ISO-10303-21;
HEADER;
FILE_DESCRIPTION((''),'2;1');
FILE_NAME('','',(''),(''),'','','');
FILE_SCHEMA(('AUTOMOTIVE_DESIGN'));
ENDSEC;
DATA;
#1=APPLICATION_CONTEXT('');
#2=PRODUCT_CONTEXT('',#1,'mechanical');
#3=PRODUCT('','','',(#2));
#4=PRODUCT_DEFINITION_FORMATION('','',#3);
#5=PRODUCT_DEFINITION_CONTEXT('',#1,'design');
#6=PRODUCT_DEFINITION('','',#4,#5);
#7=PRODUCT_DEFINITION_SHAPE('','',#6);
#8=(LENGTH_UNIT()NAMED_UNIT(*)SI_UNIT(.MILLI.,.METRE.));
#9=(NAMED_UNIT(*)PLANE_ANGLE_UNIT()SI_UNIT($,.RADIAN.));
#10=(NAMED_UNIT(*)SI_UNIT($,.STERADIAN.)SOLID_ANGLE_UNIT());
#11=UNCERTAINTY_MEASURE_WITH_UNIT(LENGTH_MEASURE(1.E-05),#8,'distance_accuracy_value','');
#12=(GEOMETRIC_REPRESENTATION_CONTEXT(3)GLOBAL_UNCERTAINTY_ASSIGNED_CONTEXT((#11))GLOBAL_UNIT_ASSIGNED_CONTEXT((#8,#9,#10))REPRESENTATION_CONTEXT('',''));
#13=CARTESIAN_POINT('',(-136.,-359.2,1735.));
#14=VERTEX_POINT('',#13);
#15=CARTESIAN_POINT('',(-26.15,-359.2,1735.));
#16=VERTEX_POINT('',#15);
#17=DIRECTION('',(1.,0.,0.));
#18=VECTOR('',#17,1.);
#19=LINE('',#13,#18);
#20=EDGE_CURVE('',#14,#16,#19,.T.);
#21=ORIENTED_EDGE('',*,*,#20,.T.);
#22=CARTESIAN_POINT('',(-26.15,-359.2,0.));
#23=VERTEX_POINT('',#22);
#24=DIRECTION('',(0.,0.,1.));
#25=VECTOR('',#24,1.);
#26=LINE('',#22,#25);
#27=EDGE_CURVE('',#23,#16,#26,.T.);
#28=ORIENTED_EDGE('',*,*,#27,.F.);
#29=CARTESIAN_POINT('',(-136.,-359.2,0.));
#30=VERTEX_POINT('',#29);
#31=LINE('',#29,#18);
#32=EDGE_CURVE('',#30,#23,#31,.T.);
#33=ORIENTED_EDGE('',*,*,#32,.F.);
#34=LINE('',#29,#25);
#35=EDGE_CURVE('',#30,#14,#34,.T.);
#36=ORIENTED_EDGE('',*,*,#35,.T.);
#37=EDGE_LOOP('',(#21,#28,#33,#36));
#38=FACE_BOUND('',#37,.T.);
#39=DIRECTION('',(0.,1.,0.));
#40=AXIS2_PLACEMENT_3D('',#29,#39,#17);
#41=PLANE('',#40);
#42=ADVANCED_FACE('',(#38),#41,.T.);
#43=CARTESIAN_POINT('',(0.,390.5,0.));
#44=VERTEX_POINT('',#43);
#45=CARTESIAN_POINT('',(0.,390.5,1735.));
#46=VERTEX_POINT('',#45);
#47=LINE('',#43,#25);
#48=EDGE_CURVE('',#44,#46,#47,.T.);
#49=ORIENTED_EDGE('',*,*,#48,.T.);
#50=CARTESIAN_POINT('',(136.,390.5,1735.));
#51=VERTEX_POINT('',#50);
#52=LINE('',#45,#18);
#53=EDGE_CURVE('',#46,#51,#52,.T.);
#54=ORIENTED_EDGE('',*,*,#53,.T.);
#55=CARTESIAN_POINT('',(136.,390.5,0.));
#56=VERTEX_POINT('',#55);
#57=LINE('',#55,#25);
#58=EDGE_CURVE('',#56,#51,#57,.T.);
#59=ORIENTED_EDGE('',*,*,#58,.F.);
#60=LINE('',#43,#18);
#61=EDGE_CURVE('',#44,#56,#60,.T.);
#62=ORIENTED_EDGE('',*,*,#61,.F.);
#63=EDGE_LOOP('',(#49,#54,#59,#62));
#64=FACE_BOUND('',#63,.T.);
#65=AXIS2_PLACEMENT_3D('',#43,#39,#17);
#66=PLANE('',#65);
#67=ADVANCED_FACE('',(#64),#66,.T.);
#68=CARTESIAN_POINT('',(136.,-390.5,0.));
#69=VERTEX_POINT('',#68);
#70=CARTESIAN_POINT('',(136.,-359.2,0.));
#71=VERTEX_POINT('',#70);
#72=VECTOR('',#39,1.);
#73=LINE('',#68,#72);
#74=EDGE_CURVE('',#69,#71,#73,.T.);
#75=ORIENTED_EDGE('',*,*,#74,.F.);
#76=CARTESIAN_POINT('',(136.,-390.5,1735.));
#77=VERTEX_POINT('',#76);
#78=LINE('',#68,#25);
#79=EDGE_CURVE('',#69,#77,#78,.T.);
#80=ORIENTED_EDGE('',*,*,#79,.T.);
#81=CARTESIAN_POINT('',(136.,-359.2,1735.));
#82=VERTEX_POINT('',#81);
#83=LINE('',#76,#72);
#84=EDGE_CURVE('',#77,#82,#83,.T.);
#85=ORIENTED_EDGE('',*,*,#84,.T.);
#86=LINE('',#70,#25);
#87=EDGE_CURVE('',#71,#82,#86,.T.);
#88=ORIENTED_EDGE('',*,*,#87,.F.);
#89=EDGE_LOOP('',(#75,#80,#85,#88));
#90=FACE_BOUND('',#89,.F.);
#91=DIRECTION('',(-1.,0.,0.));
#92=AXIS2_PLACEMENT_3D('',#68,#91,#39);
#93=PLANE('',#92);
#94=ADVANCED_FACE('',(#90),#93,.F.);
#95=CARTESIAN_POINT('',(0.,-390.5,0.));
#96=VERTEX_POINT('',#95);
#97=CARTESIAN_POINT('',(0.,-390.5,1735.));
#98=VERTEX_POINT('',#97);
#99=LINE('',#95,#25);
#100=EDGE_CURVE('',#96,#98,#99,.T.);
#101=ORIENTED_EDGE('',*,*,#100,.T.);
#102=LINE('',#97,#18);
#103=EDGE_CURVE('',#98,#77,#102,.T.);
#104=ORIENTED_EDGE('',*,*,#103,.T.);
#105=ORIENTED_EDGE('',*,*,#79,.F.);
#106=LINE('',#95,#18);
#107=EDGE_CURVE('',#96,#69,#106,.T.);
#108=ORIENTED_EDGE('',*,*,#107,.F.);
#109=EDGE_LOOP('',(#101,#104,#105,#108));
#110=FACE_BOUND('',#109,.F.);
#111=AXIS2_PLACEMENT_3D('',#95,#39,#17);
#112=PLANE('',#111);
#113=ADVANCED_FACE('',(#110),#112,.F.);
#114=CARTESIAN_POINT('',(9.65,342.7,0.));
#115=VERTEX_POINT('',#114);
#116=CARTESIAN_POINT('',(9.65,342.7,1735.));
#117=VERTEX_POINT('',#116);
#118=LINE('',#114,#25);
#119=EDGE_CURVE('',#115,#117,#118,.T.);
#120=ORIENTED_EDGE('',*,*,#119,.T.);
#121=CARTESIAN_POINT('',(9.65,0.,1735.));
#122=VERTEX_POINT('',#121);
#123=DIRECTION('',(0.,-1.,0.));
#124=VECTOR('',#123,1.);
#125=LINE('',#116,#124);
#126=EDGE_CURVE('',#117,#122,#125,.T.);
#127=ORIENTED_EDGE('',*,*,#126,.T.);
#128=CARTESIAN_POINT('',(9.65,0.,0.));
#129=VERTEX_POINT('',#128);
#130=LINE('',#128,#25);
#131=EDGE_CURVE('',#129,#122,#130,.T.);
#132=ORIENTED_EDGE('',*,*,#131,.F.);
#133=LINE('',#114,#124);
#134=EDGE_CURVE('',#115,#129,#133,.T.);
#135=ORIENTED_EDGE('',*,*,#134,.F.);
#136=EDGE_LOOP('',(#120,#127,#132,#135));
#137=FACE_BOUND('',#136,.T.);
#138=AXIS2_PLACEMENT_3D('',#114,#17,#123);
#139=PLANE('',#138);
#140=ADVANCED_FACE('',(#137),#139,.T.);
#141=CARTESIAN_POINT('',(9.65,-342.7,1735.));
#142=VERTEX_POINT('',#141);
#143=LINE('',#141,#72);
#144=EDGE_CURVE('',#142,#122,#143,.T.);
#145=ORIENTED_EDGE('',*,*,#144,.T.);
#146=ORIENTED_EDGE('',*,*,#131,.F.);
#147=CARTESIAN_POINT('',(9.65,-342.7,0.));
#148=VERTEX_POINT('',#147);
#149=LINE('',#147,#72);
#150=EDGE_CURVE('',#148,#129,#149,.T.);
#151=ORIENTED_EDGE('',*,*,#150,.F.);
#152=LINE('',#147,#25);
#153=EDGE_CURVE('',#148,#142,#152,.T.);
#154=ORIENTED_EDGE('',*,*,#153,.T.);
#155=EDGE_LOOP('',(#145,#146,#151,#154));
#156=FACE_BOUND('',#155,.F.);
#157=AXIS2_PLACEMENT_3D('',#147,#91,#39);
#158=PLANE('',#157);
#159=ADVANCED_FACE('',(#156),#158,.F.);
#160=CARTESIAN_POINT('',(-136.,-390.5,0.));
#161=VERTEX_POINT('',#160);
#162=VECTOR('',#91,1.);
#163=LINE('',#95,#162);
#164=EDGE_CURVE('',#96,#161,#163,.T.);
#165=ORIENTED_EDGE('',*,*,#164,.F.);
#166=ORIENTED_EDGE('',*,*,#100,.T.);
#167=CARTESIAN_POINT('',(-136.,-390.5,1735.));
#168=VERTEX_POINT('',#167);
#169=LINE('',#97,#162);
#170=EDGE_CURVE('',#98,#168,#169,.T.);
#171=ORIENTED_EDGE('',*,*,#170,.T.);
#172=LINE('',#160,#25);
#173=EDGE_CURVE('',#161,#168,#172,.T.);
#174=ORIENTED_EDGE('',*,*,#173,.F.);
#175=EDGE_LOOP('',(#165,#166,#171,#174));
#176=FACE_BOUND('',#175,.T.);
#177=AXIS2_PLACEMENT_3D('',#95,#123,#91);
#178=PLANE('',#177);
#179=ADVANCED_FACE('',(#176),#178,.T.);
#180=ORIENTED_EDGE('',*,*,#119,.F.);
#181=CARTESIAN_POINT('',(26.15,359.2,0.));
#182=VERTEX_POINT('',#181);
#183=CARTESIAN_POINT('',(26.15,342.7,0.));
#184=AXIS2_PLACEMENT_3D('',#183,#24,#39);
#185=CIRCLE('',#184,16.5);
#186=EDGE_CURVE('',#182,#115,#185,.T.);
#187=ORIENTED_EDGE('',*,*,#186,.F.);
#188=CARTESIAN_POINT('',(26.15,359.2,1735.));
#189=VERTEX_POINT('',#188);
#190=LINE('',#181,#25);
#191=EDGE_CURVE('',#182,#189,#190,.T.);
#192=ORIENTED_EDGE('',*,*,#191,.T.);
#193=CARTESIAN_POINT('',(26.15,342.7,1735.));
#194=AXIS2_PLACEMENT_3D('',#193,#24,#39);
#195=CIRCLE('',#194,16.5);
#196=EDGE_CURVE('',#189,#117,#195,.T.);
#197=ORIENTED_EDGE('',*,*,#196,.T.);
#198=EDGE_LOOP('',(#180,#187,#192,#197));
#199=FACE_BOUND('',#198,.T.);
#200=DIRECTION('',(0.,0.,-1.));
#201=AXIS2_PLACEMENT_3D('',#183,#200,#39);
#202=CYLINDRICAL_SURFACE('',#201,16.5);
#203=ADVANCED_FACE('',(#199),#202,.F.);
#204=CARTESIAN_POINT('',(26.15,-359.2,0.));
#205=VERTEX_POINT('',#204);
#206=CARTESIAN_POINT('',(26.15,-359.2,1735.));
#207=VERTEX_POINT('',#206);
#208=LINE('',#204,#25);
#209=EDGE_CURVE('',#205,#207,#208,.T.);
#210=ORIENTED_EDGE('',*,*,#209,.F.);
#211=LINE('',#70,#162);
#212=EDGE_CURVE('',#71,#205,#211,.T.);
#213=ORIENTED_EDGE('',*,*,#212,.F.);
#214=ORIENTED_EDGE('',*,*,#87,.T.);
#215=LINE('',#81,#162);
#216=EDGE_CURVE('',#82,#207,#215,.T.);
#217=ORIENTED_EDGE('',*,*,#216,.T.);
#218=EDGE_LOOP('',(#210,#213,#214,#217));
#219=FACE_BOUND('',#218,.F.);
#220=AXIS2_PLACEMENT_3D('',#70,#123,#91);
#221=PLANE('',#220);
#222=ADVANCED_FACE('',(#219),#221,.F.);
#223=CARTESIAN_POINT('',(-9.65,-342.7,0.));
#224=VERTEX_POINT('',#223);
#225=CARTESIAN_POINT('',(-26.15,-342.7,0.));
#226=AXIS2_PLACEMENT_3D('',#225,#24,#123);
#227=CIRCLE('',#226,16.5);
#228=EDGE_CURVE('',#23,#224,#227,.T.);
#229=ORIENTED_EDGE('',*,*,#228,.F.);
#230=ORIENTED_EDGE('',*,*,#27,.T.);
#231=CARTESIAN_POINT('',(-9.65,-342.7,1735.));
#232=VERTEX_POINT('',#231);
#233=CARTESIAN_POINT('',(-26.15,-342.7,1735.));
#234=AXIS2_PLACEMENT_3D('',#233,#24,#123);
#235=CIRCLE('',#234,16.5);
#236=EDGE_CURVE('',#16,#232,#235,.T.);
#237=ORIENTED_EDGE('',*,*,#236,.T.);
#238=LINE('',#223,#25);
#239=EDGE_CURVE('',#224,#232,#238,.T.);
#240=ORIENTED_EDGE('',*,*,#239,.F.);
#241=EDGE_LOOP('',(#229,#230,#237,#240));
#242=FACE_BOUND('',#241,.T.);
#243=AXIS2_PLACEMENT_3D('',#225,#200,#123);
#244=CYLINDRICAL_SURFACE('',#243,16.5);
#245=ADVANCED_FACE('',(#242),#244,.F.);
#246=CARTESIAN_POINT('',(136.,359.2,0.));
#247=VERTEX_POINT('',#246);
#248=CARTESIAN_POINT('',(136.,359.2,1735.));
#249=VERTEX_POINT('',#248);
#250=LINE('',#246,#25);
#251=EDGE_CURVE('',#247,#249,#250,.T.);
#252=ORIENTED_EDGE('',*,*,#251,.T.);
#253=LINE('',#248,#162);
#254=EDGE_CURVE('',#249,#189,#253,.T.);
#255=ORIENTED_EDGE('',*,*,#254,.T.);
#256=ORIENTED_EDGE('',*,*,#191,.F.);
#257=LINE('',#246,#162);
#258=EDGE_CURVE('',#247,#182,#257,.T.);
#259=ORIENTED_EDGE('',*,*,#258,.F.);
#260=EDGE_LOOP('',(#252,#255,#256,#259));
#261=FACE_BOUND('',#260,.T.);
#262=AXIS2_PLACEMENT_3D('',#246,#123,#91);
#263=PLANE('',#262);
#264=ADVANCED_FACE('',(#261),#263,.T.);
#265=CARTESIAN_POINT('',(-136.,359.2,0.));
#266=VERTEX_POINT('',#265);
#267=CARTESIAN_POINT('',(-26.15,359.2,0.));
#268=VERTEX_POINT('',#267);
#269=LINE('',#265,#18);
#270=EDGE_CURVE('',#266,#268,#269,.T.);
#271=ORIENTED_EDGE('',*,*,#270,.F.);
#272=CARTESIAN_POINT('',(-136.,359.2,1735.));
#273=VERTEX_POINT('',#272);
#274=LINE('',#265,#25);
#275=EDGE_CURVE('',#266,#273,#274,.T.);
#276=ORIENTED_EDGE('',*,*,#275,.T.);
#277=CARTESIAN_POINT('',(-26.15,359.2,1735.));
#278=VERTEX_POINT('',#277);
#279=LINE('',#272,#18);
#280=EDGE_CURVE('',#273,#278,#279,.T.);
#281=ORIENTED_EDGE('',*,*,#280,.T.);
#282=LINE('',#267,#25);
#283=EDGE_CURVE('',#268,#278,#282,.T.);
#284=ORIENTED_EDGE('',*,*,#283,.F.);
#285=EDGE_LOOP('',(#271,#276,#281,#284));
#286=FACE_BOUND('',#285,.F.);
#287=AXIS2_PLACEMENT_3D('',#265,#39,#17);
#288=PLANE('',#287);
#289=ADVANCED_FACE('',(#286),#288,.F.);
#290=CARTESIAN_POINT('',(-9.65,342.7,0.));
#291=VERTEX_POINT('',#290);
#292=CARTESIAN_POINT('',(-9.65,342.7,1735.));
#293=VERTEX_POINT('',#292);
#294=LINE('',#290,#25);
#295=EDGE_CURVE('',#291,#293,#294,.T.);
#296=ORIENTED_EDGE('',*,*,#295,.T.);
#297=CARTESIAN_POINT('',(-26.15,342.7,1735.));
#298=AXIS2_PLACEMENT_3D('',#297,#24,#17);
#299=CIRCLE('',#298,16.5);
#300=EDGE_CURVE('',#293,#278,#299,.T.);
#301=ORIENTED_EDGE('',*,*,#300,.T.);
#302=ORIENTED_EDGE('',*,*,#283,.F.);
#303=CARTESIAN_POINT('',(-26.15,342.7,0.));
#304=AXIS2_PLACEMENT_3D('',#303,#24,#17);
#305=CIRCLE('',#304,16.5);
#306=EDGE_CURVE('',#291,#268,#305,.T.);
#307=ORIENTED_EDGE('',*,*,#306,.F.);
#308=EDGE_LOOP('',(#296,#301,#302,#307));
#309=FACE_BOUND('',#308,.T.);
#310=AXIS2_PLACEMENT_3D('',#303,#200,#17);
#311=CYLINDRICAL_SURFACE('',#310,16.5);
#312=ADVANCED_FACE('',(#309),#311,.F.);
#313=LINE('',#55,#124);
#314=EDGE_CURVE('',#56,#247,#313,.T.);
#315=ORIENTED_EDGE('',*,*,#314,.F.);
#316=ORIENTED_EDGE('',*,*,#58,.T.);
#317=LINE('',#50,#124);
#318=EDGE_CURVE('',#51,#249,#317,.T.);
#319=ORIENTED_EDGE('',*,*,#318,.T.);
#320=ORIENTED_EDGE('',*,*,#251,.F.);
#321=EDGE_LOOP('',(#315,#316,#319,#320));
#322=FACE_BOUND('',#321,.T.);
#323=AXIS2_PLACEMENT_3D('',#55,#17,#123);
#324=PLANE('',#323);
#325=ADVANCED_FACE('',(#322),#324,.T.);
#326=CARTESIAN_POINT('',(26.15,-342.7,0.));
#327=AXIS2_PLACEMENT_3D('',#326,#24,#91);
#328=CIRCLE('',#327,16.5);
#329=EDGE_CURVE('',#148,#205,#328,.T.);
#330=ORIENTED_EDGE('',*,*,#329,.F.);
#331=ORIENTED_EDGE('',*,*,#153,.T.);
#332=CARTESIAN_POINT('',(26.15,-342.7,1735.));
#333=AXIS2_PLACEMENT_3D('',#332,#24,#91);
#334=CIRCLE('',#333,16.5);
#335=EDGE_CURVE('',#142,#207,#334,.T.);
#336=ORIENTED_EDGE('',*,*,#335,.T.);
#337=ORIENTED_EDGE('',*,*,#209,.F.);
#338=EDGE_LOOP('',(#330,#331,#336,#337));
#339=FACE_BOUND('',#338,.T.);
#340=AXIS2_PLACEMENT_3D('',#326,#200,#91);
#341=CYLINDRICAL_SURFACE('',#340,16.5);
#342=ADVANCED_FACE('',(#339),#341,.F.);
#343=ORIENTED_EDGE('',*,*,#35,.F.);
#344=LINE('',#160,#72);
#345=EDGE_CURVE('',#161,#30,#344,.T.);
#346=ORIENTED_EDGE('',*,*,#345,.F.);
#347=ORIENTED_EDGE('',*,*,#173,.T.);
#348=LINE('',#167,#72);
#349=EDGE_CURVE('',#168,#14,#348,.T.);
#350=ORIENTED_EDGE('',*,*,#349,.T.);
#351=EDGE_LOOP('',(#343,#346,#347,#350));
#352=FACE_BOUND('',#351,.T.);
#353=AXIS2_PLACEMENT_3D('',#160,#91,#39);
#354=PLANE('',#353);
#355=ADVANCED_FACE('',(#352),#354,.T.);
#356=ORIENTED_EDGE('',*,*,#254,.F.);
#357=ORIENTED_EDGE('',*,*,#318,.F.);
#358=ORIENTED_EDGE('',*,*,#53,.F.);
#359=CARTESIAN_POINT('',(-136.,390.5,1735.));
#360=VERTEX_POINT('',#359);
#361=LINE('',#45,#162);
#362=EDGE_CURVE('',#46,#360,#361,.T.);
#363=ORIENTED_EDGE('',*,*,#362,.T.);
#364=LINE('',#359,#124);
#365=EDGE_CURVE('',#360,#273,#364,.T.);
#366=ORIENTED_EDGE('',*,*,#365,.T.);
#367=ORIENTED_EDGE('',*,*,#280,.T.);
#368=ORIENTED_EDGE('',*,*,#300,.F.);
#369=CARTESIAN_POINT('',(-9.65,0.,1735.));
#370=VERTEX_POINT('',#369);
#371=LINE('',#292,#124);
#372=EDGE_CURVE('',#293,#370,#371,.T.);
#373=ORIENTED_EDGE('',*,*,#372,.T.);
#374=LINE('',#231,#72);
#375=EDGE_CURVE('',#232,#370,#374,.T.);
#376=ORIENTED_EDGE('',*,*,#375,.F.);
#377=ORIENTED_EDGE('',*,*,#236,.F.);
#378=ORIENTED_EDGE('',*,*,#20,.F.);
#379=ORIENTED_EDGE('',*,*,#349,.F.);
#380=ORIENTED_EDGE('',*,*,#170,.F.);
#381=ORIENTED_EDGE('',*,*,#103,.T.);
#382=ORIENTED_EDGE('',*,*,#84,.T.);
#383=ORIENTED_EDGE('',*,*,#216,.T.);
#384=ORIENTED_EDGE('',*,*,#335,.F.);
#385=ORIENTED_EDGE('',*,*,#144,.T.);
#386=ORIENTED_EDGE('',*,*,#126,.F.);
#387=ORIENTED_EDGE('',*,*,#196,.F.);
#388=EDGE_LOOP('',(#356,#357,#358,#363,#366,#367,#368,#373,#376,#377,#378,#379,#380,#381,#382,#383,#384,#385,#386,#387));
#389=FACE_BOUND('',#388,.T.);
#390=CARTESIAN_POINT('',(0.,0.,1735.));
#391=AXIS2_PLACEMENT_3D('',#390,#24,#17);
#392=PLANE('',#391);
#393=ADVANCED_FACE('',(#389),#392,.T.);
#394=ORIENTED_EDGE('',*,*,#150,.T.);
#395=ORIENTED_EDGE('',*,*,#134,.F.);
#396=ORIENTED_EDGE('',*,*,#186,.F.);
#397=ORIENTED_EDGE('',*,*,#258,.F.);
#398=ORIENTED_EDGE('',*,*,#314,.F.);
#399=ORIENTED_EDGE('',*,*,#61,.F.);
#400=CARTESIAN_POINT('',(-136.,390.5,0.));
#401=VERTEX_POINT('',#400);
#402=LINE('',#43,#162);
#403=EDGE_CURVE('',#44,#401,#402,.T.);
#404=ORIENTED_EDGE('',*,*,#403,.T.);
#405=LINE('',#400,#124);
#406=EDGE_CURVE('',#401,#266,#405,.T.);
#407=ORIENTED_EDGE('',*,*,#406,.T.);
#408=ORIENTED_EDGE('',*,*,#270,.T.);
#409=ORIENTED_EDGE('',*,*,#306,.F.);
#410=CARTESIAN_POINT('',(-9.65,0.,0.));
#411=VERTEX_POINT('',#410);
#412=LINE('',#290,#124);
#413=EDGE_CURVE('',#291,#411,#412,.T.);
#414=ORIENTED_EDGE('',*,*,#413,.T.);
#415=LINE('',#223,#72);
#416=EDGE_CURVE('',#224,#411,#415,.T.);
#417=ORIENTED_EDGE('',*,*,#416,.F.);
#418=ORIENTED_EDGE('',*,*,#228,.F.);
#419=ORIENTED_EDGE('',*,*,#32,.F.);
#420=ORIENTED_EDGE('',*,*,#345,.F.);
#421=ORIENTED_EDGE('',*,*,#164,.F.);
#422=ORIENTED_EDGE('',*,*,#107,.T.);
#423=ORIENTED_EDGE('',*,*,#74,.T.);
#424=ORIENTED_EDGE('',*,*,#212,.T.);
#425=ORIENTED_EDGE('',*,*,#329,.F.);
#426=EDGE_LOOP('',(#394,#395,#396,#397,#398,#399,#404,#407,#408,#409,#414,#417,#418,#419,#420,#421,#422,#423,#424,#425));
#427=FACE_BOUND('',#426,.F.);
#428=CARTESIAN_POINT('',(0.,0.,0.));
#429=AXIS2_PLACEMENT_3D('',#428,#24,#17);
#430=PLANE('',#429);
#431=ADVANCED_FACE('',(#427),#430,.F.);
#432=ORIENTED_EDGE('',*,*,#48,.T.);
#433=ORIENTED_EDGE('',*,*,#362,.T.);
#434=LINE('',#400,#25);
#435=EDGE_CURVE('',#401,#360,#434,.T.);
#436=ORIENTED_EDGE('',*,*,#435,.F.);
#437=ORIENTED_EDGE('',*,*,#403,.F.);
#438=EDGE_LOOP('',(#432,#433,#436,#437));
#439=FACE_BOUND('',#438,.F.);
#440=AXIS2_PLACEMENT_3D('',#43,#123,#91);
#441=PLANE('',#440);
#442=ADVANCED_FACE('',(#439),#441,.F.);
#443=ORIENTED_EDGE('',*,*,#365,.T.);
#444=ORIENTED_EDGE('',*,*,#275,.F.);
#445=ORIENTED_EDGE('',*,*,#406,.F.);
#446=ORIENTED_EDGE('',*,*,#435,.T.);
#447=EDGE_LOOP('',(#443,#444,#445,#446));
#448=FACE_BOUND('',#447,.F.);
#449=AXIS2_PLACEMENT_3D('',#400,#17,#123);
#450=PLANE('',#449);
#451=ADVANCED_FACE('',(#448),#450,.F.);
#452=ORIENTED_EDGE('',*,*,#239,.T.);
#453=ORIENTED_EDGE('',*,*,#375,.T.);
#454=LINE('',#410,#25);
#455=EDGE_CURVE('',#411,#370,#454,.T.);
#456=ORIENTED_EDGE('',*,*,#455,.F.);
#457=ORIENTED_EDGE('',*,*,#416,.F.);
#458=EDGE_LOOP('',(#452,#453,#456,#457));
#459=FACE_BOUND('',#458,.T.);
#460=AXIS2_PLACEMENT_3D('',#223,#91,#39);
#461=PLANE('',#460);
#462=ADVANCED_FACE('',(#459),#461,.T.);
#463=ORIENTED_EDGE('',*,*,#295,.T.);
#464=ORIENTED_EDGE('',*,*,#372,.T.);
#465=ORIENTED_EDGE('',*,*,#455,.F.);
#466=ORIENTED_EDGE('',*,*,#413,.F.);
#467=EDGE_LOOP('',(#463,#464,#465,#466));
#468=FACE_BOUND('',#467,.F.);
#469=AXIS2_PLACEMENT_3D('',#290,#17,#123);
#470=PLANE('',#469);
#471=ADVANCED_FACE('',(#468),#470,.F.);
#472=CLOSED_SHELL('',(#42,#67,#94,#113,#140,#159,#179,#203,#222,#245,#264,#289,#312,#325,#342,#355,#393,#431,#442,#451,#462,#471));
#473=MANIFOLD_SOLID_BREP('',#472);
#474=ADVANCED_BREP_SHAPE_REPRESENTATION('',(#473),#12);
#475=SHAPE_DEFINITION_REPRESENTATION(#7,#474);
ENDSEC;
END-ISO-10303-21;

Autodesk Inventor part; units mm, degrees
ref_plane "YZ Plane" through (0, 0, 0) normal (1, 0, 0) x (0, 1, 0)
ref_plane "Start plane" through (0, 0, 0) normal (0, 0, 1) x (1, 0, 0)
ref_plane "End plane" through (0, 0, 1735) normal (0, 0, 1) x (1, 0, 0)
sketch "Sketch" plane through (0, 0, 0) normal (0, 0, 1) x (1, 0, 0)
  line L0 (-136, -390.5) -> (-136, -359.2)
  line L1 (-136, -359.2) -> (-26.15, -359.2)
  line L2 (-9.65, -342.7) -> (-9.65, 0)
  line L3 (-9.65, 0) -> (0, 0) construction
  line L4 (0, 0) -> (0, -390.5) construction
  line L5 (0, -390.5) -> (-136, -390.5)
  line L6 (-60, 0) -> (80, 0) construction
  line L7 (0, -60) -> (0, 80) construction
  line L8 (136, -390.5) -> (136, -359.2)
  line L9 (136, -359.2) -> (26.15, -359.2)
  line L10 (9.65, -342.7) -> (9.65, 0)
  line L11 (9.65, 0) -> (0, 0) construction
  line L12 (0, -390.5) -> (136, -390.5)
  line L13 (-136, 390.5) -> (-136, 359.2)
  line L14 (-136, 359.2) -> (-26.15, 359.2)
  line L15 (-9.65, 342.7) -> (-9.65, 0)
  line L16 (0, 390.5) -> (-136, 390.5)
  line L17 (136, 390.5) -> (136, 359.2)
  line L18 (136, 359.2) -> (26.15, 359.2)
  line L19 (0, 390.5) -> (136, 390.5)
  line L20 (9.65, 342.7) -> (9.65, 0)
  arc A0 (-9.65, 342.7) -> (-26.15, 359.2) centre (-26.15, 342.7) ccw
  arc A1 (26.15, 359.2) -> (9.65, 342.7) centre (26.15, 342.7) ccw
  arc A2 (9.65, -342.7) -> (26.15, -359.2) centre (26.15, -342.7) ccw
  arc A3 (-26.15, -359.2) -> (-9.65, -342.7) centre (-26.15, -342.7) ccw
  line L21 (0, 108) -> (0, -88) construction
  line L22 (-88, 0) -> (108, 0) construction
  point P0 (-9.65, -359.2)
  point P1 (9.65, -359.2)
  point P2 (-9.65, 359.2)
  point P3 (9.65, 359.2)
  dimension "d1" = 390.5
  dimension "d2" = 31.3
  dimension "d3" = 136
  dimension "d4" = 9.65
  dimension "d10" = 16.5
extrude "Body" add sketch "Sketch" along normal up to surface (1735 mm away) from surface at 0
sketch "Sketch4" plane through (0, 0, 0) normal (0, 0, 1) x (1, 0, 0)
  line L0 (0, 0) -> (10, 0)
ref_plane "Work Plane3" through (0, 0, 0) normal (0, -1, 0) x (1, 0, 0)
sketch "Sketch5" plane through (0, 0, 0) normal (0, -1, 0) x (1, 0, 0)
  line L0 (-2, 0) -> (12, 0) projected
  line L1 (-2, 1735) -> (12, 1735) projected
  dimension "d14" = 1735
equation "\"d1\" = 0.5 * G_H"
equation "\"d2\" = G_T1"
equation "\"d3\" = 0.5 * G_W"
equation "\"d4\" = 0.5 * G_T"
equation "\"d10\" = G_IR"
equation "\"d5\" = G_L"
equation "\"G_W\" = 272"
equation "\"G_H\" = 781"
equation "\"G_T\" = 19.3"
equation "\"G_T1\" = 31.3"
equation "\"G_IR\" = 16.5"
equation "\"G_L\" = d14"
equation "\"G_OFFSET_START\" = 0"
equation "\"G_OFFSET_END\" = 0"
equation "\"d12\" = G_OFFSET_END + B_L"
equation "\"B_L\" = 1735"
properties part number "AS 3679-1990 - 760 UB - 244 - 1735" material "Steel, Mild"
